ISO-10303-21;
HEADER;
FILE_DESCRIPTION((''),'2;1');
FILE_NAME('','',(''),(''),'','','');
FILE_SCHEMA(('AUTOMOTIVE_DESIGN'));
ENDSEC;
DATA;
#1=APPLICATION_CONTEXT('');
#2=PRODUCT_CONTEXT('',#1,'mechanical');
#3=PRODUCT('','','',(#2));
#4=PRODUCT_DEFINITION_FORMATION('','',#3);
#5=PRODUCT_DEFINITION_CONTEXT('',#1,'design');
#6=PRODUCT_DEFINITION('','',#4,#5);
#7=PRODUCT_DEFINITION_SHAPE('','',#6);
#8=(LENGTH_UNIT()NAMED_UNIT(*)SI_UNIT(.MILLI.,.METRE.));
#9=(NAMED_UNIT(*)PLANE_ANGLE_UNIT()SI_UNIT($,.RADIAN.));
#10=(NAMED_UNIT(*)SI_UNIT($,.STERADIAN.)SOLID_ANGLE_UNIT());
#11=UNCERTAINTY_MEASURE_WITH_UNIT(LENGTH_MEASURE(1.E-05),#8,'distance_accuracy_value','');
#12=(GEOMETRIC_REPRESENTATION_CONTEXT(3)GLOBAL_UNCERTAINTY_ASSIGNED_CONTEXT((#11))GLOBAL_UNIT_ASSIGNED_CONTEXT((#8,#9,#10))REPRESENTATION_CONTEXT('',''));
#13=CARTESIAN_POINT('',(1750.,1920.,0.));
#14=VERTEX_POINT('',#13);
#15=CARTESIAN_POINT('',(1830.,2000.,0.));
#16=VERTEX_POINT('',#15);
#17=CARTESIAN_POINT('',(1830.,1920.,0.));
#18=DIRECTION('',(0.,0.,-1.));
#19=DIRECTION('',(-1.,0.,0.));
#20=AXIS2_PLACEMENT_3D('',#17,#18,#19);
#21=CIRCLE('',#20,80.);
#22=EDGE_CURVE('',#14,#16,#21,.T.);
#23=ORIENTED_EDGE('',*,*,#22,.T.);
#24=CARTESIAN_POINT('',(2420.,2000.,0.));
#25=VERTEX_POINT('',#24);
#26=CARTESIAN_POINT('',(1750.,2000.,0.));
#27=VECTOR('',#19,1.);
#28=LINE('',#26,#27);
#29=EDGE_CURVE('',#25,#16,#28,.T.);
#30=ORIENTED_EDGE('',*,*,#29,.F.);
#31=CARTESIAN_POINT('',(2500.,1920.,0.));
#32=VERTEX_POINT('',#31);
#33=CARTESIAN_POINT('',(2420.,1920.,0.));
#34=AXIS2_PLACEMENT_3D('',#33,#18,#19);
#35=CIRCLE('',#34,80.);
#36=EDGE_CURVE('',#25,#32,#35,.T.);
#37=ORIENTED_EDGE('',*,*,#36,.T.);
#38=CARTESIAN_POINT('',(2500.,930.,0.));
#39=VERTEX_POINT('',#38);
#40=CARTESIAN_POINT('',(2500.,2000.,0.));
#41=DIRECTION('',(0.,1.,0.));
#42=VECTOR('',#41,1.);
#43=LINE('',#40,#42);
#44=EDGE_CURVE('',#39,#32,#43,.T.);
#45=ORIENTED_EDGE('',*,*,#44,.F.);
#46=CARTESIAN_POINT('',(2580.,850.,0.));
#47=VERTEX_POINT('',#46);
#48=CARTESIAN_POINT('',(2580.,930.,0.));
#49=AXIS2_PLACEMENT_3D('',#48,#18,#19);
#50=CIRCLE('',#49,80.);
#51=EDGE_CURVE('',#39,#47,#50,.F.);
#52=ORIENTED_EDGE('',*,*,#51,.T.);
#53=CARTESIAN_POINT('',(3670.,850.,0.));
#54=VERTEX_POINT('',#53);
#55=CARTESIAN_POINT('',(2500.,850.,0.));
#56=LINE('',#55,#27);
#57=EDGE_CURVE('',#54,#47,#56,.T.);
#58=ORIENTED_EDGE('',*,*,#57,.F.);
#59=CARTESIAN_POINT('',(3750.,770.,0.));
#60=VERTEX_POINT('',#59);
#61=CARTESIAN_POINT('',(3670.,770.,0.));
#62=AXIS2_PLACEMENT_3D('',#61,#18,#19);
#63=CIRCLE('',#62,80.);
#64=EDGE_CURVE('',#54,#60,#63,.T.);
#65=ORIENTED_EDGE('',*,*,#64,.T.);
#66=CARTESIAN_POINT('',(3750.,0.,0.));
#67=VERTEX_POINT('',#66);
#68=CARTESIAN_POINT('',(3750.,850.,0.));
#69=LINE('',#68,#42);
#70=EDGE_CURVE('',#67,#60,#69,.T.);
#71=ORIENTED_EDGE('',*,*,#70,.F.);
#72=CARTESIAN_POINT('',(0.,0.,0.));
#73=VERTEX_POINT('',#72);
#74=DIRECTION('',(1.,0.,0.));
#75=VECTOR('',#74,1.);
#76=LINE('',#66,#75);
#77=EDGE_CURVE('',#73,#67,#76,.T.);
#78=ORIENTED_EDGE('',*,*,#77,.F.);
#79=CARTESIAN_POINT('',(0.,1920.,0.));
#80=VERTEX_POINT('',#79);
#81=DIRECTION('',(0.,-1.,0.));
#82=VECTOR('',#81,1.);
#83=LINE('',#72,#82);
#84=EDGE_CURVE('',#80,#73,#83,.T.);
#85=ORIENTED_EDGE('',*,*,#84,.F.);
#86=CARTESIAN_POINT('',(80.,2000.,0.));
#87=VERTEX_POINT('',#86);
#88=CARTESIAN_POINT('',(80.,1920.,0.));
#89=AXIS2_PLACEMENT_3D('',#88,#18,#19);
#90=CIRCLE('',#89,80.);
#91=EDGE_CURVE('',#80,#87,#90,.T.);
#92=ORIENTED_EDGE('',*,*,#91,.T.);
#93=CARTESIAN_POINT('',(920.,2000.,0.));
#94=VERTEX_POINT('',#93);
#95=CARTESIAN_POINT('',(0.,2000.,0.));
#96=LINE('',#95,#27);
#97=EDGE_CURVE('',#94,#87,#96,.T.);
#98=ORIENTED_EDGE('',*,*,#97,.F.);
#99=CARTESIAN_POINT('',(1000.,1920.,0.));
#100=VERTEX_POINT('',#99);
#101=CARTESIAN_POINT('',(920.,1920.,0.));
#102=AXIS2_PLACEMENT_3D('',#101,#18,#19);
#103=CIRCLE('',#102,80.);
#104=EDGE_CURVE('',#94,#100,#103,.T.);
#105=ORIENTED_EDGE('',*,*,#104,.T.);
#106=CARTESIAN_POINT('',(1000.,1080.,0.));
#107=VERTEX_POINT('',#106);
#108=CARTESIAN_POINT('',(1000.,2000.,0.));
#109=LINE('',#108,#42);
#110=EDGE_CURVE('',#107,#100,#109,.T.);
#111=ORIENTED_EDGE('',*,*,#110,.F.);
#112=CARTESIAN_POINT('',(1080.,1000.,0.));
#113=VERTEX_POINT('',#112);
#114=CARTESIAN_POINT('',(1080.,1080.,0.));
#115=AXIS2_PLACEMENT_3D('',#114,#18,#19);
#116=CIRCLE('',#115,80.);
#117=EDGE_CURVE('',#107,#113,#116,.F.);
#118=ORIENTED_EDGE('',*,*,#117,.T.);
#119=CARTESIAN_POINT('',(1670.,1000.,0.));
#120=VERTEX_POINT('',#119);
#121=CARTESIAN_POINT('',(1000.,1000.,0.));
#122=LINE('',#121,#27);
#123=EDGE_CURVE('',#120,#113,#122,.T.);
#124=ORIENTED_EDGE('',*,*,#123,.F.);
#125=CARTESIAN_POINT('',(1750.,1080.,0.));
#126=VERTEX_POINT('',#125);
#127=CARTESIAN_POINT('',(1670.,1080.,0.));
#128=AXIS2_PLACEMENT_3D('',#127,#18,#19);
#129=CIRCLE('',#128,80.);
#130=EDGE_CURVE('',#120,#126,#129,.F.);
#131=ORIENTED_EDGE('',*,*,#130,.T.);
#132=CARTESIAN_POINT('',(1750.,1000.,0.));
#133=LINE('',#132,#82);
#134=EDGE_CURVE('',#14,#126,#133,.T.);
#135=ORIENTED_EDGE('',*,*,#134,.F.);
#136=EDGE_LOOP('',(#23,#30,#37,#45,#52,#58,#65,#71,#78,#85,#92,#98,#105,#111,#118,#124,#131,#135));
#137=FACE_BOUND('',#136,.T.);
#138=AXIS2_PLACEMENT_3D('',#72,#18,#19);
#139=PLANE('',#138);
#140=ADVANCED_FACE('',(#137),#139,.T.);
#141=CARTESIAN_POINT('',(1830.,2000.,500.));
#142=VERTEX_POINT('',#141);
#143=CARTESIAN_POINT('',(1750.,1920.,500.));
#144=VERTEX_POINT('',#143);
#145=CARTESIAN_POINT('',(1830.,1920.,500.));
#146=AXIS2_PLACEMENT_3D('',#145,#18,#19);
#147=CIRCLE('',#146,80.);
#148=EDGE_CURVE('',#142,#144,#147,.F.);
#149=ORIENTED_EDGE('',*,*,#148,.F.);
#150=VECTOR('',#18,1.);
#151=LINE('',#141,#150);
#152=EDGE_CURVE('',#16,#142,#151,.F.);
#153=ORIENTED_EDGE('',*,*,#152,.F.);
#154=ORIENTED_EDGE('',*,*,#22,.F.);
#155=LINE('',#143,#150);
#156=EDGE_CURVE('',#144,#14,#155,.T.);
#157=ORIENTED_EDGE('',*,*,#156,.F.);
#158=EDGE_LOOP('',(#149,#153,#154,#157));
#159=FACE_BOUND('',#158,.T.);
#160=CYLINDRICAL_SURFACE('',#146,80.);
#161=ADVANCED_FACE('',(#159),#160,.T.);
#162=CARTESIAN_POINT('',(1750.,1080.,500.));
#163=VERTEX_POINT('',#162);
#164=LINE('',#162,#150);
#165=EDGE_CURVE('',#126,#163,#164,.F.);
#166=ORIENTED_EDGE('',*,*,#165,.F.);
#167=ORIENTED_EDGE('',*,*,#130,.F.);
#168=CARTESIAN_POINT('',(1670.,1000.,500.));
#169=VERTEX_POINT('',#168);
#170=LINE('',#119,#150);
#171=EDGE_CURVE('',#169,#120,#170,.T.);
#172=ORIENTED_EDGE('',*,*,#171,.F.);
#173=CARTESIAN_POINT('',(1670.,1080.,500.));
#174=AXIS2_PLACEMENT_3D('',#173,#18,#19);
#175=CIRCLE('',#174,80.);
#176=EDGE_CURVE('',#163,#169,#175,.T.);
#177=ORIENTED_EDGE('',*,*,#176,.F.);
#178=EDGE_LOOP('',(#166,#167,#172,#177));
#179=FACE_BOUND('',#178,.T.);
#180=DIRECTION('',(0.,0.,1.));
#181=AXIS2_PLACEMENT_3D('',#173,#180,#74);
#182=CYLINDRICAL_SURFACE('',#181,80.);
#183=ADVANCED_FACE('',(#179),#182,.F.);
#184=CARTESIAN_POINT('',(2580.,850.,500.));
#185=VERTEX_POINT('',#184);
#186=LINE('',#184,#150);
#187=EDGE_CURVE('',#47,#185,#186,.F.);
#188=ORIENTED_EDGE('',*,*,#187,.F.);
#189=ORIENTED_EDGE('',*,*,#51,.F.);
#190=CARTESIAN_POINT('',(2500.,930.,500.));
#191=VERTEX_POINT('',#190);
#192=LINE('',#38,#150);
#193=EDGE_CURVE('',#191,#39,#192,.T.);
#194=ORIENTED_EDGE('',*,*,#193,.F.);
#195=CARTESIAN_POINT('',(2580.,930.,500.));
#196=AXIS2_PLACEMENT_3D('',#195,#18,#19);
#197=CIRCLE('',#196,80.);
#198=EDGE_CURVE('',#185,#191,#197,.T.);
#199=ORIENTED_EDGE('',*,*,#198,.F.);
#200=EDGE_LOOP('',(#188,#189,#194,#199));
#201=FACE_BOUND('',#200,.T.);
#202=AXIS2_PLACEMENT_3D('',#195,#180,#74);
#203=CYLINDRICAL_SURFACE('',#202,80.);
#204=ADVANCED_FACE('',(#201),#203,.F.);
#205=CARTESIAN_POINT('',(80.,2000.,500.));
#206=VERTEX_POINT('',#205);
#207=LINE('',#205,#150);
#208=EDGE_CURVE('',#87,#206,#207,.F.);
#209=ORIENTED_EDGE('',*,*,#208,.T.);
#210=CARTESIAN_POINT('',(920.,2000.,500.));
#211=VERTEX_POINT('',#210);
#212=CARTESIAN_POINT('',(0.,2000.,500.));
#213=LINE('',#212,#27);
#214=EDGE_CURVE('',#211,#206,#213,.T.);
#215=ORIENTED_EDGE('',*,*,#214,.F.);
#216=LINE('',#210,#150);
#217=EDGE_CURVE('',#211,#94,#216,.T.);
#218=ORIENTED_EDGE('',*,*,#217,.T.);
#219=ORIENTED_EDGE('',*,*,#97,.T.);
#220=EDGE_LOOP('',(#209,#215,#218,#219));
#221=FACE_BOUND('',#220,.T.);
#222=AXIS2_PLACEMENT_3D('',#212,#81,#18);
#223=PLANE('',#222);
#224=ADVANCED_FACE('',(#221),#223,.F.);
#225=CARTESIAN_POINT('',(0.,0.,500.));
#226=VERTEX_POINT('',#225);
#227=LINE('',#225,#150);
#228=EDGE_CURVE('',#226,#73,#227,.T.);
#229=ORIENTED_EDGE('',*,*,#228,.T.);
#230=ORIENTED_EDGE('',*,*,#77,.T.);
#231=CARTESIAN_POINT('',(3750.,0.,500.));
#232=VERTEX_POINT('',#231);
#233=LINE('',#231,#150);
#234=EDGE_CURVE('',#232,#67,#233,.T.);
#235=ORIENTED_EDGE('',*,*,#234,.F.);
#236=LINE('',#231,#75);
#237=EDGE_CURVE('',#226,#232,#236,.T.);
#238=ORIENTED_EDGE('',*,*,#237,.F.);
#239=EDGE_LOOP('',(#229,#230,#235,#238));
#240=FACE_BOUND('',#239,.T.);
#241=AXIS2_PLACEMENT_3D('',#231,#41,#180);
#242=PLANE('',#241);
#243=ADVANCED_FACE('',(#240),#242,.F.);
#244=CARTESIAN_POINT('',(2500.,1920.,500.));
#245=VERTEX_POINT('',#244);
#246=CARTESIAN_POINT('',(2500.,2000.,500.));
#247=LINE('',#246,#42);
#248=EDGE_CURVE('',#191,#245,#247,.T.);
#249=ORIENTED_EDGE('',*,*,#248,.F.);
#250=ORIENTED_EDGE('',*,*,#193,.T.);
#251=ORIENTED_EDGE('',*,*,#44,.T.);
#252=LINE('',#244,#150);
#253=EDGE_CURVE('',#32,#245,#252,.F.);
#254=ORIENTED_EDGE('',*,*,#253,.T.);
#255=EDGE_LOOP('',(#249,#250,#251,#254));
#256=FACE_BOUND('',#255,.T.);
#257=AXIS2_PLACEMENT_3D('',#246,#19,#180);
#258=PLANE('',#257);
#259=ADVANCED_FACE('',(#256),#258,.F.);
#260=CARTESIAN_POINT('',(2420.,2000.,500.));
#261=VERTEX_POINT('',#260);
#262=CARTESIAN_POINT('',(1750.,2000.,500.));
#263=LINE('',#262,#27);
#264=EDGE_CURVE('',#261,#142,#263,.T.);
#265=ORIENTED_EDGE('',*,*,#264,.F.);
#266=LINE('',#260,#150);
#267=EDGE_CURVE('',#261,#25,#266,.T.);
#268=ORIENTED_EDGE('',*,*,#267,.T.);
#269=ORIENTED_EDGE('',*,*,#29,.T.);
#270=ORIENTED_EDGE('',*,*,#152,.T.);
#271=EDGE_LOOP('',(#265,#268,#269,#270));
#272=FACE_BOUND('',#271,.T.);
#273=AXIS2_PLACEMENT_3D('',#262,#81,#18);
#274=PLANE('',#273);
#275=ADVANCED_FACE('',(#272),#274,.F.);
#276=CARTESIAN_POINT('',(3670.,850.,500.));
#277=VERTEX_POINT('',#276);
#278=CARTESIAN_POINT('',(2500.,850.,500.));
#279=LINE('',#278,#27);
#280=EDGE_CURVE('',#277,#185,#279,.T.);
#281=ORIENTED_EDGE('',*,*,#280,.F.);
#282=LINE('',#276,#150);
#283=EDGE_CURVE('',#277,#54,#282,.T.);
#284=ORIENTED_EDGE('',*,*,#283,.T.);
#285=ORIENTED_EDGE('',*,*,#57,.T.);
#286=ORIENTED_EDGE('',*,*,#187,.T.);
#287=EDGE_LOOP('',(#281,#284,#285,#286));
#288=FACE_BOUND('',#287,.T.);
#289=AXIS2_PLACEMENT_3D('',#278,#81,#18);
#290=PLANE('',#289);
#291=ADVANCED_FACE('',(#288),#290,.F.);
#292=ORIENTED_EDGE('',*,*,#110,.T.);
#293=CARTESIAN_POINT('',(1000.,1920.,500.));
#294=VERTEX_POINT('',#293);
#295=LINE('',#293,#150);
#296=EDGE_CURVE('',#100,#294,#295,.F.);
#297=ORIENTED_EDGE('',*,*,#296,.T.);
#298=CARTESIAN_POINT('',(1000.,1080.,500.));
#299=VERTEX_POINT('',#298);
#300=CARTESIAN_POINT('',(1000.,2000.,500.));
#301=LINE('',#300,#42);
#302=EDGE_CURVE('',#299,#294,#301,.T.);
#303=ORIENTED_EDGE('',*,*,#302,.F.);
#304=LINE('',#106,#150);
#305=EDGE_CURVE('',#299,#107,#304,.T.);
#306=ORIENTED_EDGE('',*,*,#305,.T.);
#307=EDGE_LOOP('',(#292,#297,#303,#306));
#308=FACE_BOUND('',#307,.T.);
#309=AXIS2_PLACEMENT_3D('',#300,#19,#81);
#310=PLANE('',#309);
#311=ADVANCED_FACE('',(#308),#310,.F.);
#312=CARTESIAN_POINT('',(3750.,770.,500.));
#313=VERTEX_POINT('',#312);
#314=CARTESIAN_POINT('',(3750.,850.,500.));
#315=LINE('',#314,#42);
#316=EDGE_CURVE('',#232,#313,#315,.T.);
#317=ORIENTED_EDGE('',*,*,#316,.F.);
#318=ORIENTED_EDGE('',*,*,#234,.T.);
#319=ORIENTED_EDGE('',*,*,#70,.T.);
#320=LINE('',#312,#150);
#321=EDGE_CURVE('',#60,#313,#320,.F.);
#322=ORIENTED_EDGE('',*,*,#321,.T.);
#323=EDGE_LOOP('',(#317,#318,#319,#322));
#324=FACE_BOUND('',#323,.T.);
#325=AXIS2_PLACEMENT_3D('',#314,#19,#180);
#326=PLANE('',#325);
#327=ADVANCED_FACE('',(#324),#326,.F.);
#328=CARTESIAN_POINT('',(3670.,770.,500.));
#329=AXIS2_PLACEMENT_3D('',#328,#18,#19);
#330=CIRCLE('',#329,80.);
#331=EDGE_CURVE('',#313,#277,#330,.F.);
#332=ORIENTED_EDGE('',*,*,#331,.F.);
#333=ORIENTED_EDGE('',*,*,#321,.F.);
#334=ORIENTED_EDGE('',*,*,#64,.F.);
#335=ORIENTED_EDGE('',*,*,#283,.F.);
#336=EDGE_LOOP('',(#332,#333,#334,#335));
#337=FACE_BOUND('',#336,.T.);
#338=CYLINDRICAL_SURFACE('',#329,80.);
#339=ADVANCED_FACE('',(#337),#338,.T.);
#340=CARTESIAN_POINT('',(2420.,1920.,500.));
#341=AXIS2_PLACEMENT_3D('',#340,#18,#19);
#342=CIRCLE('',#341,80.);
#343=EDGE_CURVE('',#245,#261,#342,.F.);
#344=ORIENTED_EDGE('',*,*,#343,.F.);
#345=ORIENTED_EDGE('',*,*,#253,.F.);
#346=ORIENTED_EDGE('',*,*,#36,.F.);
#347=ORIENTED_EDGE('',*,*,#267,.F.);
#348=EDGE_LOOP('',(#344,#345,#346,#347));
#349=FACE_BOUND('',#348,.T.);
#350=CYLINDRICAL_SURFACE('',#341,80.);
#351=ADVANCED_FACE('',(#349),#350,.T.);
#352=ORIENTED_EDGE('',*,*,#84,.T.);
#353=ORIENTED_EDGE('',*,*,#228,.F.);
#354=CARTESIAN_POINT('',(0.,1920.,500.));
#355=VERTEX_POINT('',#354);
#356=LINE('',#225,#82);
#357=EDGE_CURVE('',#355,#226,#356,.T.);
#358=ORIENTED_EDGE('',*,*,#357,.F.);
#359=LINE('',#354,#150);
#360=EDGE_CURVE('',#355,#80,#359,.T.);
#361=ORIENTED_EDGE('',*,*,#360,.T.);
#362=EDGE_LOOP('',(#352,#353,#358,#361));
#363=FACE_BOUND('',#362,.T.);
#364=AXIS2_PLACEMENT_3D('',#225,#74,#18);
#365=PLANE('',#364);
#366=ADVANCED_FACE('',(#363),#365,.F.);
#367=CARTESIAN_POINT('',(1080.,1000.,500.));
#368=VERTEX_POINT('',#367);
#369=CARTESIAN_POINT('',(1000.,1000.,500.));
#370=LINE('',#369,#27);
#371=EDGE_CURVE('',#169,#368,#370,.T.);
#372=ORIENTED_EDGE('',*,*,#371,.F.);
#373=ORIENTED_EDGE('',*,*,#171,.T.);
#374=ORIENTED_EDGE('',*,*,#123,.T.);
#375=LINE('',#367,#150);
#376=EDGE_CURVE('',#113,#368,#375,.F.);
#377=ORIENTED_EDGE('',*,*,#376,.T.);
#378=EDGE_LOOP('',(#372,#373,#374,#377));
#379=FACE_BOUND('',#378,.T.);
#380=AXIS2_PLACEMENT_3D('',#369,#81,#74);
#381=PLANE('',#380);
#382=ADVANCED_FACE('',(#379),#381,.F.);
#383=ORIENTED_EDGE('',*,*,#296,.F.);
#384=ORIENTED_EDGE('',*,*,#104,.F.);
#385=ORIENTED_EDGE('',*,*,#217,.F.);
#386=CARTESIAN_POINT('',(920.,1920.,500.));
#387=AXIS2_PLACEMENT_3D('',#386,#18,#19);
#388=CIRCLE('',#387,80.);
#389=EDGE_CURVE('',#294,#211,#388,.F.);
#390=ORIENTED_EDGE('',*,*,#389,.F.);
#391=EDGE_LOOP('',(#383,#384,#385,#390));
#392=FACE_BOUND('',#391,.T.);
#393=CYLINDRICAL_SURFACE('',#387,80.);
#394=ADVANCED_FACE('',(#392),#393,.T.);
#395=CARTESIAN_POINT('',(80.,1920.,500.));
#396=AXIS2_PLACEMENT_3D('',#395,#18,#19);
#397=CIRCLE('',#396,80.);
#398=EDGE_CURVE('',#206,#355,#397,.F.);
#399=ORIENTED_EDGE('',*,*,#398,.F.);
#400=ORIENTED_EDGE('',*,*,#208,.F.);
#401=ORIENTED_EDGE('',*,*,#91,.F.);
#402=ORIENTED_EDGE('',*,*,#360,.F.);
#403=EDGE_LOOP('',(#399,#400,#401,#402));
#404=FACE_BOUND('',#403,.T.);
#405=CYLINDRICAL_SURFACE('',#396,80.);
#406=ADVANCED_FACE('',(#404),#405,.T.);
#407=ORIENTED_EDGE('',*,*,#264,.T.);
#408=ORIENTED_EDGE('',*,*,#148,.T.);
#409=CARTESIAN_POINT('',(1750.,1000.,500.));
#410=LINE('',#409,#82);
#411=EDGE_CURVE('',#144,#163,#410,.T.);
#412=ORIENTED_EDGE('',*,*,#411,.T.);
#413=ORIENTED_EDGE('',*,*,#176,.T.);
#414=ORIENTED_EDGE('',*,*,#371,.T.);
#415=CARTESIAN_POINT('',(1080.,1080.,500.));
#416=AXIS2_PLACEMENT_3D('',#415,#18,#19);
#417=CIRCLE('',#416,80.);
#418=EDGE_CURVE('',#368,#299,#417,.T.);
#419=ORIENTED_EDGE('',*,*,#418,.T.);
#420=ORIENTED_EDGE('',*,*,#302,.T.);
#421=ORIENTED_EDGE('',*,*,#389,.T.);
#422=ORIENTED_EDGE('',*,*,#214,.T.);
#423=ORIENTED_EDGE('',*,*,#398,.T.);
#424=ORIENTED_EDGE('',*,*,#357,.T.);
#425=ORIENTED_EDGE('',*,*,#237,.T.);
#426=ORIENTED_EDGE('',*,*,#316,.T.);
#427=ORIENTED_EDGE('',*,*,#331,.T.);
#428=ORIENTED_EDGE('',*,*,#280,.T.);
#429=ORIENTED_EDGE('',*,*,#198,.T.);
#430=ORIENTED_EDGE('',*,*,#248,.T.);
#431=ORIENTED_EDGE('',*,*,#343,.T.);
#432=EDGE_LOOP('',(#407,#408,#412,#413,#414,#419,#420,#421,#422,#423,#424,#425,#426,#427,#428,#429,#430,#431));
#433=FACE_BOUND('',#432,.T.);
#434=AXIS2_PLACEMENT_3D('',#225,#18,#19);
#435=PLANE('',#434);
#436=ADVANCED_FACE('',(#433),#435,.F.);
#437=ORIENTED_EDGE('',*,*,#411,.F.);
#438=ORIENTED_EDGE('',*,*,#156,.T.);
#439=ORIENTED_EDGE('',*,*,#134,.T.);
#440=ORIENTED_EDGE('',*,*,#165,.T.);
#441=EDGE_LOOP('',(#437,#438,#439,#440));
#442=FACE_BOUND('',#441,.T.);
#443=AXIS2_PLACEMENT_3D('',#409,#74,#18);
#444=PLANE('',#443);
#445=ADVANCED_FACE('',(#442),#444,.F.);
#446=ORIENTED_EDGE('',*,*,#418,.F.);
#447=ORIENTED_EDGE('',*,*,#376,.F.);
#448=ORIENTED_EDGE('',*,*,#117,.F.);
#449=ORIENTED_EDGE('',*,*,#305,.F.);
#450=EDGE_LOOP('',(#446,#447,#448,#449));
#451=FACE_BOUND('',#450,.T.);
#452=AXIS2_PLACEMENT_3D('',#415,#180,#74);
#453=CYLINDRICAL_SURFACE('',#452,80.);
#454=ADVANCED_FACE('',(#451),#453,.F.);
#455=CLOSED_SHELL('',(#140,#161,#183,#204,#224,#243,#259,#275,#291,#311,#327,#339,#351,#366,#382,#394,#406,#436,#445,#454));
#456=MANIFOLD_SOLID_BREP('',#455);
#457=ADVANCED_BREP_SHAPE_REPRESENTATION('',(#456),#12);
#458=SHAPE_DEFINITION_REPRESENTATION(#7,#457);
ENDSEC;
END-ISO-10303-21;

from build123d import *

# Parameters (mm, degrees)
BOSS_EXTRUDE1_DEPTH = 500
FILLET1_R           = 80


with BuildPart() as part:
    # Sketch1 → Boss-Extrude1 (new body)
    with BuildSketch(Plane.XY):
        Polygon((0, 0), (0, 2000), (1000, 2000), (1000, 1000), (1750, 1000), (1750, 2000), (2500, 2000), (2500, 850), (3750, 850), (3750, 0), align=None)
    extrude(amount=BOSS_EXTRUDE1_DEPTH)

    # Fillet1
    fillet1_edges = [part.edges().sort_by_distance(p)[0] for p in [
        (0, 2000, 250),
        (1000, 2000, 250),
        (1000, 1000, 250),
        (1750, 1000, 250),
        (1750, 2000, 250),
        (2500, 2000, 250),
        (2500, 850, 250),
        (3750, 850, 250),
    ]]
    fillet(fillet1_edges, radius=FILLET1_R)


solid = part.part
